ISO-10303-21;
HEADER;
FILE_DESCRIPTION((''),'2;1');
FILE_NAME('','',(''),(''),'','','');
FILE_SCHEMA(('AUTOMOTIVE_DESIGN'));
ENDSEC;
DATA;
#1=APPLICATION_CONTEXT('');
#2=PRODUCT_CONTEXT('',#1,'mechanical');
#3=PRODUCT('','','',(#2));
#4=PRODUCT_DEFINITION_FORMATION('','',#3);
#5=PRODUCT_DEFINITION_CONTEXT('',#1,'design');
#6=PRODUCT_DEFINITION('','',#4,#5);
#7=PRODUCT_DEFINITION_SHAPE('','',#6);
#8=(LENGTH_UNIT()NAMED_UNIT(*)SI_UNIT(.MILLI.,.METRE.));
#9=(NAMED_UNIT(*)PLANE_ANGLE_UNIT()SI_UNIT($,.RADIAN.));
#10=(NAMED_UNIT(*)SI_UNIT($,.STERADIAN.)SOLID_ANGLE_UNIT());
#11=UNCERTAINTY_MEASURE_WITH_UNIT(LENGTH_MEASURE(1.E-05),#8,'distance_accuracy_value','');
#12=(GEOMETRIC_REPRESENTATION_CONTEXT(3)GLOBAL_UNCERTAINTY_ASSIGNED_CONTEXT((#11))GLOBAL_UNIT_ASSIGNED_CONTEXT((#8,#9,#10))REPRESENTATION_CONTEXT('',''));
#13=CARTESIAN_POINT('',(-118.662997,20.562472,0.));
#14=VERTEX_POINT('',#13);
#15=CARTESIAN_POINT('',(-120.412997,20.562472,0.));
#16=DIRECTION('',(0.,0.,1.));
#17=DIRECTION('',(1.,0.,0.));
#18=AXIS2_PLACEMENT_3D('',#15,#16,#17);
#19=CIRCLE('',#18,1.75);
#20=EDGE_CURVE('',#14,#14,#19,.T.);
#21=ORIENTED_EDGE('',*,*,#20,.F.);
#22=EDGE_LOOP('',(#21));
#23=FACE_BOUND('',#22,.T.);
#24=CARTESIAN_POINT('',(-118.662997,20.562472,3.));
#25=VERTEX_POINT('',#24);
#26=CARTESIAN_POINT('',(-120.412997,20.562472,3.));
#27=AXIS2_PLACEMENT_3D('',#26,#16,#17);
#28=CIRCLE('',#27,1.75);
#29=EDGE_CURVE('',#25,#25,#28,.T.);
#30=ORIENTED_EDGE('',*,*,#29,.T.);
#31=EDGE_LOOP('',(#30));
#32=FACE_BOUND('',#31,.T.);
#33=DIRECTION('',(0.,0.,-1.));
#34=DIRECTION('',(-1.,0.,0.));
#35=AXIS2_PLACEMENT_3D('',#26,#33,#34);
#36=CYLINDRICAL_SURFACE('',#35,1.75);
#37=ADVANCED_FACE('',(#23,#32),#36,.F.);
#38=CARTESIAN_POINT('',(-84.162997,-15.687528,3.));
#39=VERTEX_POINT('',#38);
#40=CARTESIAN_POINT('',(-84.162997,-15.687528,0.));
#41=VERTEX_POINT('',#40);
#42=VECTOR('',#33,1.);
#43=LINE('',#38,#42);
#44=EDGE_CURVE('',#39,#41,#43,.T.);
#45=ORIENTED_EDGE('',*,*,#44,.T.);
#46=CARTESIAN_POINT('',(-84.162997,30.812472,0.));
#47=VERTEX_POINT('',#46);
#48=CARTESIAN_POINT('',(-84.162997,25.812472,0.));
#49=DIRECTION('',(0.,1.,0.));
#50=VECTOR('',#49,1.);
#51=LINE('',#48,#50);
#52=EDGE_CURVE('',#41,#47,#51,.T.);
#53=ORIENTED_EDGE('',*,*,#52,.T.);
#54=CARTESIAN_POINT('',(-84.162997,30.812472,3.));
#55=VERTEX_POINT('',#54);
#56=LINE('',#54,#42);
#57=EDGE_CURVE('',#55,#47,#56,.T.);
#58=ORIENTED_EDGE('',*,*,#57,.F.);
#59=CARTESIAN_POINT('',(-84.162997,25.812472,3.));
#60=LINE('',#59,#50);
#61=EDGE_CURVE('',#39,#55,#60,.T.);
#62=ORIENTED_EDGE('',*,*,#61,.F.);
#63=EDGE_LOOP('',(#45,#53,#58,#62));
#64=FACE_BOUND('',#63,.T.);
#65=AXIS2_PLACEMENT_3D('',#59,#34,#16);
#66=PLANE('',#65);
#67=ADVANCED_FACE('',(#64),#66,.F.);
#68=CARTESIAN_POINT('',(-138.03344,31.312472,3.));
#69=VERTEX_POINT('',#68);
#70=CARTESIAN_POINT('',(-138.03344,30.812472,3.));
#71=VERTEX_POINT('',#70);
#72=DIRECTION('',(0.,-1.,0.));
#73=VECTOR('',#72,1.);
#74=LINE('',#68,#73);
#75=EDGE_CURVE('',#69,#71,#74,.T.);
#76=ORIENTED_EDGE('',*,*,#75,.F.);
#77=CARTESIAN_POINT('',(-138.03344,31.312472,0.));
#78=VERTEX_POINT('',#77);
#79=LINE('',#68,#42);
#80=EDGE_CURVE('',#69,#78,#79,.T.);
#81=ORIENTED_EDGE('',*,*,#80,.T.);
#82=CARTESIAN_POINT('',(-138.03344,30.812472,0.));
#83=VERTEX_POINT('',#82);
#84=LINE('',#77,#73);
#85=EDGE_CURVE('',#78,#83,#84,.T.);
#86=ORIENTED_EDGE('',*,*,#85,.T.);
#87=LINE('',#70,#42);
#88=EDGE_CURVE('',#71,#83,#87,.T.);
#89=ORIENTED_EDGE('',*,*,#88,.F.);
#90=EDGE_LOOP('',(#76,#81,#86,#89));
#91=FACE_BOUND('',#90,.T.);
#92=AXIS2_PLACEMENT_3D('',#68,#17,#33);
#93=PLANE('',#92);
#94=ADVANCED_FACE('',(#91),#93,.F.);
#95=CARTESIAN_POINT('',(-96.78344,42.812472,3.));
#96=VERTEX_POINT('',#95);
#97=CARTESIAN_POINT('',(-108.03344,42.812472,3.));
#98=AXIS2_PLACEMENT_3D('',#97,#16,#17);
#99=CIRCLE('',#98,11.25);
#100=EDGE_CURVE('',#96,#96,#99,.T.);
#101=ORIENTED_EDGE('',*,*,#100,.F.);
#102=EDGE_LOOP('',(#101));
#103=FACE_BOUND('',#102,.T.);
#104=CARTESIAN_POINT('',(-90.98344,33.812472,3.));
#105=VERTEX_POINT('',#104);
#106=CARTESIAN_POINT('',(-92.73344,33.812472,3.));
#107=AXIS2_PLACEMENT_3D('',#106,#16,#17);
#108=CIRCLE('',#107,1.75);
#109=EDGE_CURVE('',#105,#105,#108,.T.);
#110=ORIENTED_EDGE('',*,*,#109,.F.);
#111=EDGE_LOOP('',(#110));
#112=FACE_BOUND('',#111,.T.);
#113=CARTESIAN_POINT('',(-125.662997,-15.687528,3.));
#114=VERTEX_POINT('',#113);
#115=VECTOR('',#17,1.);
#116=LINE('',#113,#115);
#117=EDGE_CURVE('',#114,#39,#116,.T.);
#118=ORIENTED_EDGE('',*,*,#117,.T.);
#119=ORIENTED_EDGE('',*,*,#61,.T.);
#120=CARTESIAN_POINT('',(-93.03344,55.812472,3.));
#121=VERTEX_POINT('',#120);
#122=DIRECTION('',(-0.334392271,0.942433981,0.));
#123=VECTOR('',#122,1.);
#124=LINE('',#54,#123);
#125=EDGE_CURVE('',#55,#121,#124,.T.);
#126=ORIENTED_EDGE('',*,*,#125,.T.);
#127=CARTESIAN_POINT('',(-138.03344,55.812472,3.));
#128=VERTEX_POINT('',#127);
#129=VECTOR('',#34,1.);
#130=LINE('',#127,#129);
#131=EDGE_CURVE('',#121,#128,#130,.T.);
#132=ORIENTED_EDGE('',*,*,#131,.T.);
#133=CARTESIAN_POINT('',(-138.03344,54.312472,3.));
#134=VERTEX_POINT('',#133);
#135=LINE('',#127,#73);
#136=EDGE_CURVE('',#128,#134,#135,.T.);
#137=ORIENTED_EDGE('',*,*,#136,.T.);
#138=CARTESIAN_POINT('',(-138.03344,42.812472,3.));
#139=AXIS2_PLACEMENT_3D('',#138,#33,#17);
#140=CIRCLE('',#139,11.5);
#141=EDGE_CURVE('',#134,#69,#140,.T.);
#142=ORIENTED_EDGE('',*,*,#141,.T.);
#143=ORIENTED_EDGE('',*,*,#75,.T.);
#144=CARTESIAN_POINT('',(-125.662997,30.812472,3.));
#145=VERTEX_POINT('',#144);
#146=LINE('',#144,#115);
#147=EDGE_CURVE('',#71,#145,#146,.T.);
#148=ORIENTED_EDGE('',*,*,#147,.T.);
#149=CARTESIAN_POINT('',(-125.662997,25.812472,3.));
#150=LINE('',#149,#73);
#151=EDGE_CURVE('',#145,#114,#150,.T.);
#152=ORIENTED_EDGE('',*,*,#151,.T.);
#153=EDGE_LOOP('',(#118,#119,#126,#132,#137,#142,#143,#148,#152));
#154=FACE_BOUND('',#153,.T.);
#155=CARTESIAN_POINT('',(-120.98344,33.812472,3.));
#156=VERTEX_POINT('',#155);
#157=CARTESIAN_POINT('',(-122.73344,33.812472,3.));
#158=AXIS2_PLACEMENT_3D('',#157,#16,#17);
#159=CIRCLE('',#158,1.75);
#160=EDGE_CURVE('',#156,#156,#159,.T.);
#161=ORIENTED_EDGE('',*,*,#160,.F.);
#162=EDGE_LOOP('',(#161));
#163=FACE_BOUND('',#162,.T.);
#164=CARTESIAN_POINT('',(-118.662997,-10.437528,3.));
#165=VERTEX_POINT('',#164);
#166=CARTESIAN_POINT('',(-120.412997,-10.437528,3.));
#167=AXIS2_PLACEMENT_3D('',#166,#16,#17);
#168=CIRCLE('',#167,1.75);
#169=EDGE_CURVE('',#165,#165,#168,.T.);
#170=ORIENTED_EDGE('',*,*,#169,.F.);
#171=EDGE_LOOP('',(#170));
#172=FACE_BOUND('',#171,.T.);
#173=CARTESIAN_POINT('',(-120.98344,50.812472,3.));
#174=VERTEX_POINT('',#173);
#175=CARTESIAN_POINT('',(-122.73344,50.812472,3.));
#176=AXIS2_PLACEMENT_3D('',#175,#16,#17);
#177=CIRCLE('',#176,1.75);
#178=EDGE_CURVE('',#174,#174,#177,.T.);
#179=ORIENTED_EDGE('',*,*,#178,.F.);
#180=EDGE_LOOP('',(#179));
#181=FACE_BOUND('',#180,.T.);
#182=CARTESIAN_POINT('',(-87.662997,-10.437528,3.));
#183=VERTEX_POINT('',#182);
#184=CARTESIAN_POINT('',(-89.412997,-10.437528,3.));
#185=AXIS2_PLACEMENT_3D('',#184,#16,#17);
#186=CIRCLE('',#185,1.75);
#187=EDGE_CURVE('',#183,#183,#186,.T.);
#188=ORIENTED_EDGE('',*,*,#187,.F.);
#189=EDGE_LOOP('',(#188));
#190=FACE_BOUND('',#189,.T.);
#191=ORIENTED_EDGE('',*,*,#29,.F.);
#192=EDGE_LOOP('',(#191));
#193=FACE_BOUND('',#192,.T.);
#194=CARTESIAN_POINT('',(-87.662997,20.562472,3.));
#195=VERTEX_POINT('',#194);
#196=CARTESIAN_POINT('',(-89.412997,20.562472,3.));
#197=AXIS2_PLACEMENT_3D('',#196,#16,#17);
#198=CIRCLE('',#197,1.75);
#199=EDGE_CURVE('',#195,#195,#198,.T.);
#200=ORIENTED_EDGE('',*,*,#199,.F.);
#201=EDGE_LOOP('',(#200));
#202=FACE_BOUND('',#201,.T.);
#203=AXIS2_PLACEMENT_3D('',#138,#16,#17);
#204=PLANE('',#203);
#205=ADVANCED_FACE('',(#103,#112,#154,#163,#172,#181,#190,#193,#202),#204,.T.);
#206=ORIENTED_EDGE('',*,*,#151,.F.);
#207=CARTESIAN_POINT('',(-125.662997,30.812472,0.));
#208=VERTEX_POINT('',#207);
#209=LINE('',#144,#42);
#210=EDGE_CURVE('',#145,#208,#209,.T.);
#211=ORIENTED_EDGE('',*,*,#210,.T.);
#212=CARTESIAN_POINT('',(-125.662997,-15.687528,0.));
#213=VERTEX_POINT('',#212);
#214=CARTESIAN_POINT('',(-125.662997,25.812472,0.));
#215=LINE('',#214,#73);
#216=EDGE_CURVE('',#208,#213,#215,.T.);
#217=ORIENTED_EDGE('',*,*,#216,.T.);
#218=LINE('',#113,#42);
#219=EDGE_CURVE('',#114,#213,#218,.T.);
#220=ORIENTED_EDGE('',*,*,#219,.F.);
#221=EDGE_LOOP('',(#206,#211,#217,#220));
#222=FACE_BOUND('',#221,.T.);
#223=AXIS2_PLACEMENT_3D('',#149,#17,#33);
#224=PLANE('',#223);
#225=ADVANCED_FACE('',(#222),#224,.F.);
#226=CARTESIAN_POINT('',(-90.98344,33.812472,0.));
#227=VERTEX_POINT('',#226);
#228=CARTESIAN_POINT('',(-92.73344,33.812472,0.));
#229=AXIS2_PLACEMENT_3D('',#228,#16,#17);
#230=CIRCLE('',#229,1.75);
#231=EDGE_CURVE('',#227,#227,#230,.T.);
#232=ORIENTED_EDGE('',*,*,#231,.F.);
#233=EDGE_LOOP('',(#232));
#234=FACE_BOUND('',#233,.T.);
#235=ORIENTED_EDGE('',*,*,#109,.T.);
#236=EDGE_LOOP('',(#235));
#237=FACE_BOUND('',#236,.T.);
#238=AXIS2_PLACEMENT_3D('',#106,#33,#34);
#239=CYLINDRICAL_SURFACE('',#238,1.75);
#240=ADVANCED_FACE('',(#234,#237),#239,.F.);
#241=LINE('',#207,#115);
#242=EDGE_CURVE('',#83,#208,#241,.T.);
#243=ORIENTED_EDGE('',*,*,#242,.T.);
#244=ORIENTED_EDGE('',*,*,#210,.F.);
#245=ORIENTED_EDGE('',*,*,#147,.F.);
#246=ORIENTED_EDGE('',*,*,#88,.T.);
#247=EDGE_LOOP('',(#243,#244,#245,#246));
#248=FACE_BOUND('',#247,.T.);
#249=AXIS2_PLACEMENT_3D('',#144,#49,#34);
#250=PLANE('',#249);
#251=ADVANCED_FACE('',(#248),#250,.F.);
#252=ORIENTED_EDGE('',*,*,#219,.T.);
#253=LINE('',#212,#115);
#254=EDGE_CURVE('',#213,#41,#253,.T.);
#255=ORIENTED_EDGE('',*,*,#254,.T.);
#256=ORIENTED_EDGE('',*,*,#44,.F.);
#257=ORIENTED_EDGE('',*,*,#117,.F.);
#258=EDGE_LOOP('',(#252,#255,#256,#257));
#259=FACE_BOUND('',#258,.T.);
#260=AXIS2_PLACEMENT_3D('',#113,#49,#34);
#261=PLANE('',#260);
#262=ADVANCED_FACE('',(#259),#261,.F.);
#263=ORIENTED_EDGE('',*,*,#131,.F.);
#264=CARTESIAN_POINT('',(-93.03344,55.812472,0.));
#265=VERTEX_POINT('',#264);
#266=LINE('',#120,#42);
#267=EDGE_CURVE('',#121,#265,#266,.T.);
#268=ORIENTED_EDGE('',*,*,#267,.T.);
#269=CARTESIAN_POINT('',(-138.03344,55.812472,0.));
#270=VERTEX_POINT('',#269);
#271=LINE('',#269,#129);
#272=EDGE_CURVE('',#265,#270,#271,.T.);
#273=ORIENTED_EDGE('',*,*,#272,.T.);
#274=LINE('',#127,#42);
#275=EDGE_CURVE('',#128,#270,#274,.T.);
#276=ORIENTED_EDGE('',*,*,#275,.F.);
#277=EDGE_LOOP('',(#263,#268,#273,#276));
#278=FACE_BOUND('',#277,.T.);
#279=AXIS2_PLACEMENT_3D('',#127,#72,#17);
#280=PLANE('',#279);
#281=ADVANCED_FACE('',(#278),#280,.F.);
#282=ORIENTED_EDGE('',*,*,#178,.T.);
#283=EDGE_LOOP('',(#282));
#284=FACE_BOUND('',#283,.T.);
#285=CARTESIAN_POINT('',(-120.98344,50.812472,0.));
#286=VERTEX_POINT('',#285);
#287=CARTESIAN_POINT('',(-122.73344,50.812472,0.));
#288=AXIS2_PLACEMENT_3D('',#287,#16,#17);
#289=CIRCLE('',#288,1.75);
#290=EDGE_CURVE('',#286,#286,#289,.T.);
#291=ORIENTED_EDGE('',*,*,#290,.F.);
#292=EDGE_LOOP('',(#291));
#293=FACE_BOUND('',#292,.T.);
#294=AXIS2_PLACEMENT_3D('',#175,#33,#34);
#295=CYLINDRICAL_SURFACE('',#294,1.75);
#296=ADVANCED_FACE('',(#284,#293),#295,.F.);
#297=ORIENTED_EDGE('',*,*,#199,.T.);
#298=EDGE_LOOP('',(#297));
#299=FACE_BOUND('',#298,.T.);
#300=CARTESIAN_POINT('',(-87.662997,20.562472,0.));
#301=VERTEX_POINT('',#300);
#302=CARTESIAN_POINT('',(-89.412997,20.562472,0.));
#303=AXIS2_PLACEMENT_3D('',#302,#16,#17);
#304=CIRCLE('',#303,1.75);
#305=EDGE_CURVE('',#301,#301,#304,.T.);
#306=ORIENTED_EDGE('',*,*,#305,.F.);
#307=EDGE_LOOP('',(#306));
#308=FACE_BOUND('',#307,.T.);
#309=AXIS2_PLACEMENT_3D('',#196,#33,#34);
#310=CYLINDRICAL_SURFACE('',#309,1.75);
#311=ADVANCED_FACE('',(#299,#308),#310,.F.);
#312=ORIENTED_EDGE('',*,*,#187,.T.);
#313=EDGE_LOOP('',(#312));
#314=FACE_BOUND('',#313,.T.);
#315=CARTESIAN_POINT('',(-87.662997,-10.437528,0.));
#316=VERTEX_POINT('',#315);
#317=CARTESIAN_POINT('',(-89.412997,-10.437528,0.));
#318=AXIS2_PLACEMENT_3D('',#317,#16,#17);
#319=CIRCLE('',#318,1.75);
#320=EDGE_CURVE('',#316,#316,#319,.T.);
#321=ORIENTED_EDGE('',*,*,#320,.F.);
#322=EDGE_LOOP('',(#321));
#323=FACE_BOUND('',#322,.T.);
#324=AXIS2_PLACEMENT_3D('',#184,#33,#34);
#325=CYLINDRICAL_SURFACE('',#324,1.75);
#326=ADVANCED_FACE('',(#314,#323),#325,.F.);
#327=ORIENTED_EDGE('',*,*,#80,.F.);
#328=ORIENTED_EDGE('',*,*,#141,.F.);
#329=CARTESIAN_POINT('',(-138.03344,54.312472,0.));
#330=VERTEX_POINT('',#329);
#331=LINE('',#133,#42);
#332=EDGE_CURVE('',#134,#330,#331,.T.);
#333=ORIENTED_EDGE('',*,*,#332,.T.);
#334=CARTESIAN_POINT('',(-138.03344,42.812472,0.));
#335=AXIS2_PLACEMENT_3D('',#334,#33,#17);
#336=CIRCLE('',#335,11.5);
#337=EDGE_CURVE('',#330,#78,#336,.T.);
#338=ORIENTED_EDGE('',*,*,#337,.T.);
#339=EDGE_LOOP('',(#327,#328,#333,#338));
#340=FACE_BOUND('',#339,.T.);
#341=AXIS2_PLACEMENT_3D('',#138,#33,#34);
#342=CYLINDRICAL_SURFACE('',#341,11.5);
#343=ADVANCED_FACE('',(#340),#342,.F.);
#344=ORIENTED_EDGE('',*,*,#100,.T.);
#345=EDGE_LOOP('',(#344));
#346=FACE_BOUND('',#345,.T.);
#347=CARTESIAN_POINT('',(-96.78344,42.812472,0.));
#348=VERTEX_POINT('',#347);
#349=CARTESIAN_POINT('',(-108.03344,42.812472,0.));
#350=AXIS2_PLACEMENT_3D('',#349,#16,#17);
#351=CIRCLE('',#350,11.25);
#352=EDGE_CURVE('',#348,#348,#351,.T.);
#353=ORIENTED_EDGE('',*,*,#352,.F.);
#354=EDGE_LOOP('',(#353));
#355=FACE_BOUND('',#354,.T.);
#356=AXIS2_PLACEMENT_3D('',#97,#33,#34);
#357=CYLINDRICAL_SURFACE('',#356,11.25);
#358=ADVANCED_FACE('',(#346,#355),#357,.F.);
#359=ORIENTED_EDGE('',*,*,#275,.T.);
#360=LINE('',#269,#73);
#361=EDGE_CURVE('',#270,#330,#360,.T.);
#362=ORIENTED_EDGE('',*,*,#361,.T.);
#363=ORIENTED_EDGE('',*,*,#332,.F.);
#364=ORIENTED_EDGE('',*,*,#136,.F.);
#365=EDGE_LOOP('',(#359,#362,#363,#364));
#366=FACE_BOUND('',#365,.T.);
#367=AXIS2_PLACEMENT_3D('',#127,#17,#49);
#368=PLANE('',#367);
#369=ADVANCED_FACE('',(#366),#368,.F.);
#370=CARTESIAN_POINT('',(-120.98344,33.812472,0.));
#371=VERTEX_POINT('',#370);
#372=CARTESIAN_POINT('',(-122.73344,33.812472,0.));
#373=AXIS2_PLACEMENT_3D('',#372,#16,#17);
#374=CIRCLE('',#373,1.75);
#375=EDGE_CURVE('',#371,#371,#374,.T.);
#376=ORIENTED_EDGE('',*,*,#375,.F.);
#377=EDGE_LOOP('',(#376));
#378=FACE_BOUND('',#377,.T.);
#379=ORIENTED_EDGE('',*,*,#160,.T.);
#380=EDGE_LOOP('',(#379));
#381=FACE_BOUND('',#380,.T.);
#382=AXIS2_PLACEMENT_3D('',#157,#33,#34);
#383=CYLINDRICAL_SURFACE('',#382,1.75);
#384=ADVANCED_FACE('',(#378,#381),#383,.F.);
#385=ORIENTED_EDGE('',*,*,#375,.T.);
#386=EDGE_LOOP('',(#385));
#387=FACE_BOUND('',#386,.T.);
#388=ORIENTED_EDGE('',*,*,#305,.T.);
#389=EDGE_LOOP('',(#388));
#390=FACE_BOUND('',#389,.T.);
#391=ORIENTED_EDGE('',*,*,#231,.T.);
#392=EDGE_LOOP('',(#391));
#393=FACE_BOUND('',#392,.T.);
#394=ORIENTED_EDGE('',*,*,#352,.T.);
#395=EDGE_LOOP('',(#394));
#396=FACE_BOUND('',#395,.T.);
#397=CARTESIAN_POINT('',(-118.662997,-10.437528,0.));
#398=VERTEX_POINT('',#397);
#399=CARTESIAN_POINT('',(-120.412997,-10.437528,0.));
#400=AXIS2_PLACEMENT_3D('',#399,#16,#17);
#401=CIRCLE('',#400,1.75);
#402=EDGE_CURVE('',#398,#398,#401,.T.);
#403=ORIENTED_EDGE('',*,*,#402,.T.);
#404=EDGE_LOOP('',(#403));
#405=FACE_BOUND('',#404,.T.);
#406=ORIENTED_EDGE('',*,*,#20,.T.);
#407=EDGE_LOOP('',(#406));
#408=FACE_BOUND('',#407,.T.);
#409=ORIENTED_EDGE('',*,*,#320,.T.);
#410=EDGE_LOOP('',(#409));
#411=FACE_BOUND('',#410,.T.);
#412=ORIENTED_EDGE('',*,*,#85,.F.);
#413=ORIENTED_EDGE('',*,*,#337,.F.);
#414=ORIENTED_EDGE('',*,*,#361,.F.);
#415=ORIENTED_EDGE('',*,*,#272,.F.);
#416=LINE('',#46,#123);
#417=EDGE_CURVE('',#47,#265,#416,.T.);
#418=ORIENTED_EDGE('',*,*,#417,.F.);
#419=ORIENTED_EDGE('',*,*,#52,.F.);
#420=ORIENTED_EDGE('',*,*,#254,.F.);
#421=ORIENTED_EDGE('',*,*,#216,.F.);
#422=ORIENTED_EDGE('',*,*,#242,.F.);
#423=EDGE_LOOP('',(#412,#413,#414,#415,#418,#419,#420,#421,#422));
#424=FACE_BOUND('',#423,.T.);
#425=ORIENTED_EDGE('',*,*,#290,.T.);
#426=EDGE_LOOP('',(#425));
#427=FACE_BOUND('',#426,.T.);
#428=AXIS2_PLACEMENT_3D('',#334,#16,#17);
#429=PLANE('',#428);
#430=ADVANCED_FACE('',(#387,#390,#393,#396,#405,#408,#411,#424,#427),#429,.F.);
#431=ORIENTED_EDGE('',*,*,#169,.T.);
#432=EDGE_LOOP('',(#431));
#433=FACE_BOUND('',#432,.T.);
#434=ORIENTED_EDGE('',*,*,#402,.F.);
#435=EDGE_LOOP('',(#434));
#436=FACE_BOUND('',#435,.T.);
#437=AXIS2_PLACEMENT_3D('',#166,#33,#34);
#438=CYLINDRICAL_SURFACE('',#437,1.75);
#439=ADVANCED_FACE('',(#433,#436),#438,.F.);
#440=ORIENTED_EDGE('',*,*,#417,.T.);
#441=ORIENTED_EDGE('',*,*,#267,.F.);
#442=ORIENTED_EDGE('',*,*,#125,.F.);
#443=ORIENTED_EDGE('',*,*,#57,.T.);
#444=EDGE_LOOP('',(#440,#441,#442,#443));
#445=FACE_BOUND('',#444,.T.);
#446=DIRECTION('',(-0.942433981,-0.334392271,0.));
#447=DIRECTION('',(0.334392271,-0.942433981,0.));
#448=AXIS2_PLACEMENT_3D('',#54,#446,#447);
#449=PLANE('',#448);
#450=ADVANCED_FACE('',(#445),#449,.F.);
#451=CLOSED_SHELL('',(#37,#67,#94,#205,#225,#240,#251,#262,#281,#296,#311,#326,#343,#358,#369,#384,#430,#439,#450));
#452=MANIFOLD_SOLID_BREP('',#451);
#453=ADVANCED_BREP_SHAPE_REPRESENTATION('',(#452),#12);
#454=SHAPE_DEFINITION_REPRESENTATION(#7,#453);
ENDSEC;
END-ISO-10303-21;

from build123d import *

# Parameters (mm, degrees)
SKETCH1_R           = 11.25
SKETCH1_R_2         = 1.75
BOSS_EXTRUDE1_DEPTH = 3


with BuildPart() as part:
    # Sketch1 → Boss-Extrude1 (new body)
    with BuildSketch(Plane.XY):
        with BuildLine():
            Line((-125.662997175, -15.687527708), (-84.162997175, -15.687527708))
            Line((-84.162997175, -15.687527708), (-84.162997175, 25.812472292))
            Line((-84.162997175, 25.812472292), (-84.162997175, 30.812472292))
            Line((-84.162997175, 30.812472292), (-93.033440026, 55.812472292))
            Line((-93.033440026, 55.812472292), (-138.033440026, 55.812472292))
            Line((-138.033440026, 55.812472292), (-138.033440026, 54.312472292))
            ThreePointArc((-138.033440026, 54.312472292), (-126.533440026, 42.812472292), (-138.033440026, 31.312472292))
            Line((-138.033440026, 31.312472292), (-138.033440026, 30.812472292))
            Line((-138.033440026, 30.812472292), (-125.662997175, 30.812472292))
            Line((-125.662997175, 30.812472292), (-125.662997175, 25.812472292))
            Line((-125.662997175, 25.812472292), (-125.662997175, -15.687527708))
        make_face()
        with Locations((-108.033440026, 42.812472292)):
            Circle(SKETCH1_R, mode=Mode.SUBTRACT)
        with Locations((-89.412997175, 20.562472292)):
            Circle(SKETCH1_R_2, mode=Mode.SUBTRACT)
        with Locations((-120.412997175, 20.562472292)):
            Circle(SKETCH1_R_2, mode=Mode.SUBTRACT)
        with Locations((-120.412997175, -10.437527708)):
            Circle(SKETCH1_R_2, mode=Mode.SUBTRACT)
        with Locations((-89.412997175, -10.437527708)):
            Circle(SKETCH1_R_2, mode=Mode.SUBTRACT)
        with Locations((-122.733440026, 50.812472292)):
            Circle(SKETCH1_R_2, mode=Mode.SUBTRACT)
        with Locations((-122.733440026, 33.812472292)):
            Circle(SKETCH1_R_2, mode=Mode.SUBTRACT)
        with Locations((-92.733440026, 33.812472292)):
            Circle(SKETCH1_R_2, mode=Mode.SUBTRACT)
    extrude(amount=BOSS_EXTRUDE1_DEPTH)


solid = part.part
